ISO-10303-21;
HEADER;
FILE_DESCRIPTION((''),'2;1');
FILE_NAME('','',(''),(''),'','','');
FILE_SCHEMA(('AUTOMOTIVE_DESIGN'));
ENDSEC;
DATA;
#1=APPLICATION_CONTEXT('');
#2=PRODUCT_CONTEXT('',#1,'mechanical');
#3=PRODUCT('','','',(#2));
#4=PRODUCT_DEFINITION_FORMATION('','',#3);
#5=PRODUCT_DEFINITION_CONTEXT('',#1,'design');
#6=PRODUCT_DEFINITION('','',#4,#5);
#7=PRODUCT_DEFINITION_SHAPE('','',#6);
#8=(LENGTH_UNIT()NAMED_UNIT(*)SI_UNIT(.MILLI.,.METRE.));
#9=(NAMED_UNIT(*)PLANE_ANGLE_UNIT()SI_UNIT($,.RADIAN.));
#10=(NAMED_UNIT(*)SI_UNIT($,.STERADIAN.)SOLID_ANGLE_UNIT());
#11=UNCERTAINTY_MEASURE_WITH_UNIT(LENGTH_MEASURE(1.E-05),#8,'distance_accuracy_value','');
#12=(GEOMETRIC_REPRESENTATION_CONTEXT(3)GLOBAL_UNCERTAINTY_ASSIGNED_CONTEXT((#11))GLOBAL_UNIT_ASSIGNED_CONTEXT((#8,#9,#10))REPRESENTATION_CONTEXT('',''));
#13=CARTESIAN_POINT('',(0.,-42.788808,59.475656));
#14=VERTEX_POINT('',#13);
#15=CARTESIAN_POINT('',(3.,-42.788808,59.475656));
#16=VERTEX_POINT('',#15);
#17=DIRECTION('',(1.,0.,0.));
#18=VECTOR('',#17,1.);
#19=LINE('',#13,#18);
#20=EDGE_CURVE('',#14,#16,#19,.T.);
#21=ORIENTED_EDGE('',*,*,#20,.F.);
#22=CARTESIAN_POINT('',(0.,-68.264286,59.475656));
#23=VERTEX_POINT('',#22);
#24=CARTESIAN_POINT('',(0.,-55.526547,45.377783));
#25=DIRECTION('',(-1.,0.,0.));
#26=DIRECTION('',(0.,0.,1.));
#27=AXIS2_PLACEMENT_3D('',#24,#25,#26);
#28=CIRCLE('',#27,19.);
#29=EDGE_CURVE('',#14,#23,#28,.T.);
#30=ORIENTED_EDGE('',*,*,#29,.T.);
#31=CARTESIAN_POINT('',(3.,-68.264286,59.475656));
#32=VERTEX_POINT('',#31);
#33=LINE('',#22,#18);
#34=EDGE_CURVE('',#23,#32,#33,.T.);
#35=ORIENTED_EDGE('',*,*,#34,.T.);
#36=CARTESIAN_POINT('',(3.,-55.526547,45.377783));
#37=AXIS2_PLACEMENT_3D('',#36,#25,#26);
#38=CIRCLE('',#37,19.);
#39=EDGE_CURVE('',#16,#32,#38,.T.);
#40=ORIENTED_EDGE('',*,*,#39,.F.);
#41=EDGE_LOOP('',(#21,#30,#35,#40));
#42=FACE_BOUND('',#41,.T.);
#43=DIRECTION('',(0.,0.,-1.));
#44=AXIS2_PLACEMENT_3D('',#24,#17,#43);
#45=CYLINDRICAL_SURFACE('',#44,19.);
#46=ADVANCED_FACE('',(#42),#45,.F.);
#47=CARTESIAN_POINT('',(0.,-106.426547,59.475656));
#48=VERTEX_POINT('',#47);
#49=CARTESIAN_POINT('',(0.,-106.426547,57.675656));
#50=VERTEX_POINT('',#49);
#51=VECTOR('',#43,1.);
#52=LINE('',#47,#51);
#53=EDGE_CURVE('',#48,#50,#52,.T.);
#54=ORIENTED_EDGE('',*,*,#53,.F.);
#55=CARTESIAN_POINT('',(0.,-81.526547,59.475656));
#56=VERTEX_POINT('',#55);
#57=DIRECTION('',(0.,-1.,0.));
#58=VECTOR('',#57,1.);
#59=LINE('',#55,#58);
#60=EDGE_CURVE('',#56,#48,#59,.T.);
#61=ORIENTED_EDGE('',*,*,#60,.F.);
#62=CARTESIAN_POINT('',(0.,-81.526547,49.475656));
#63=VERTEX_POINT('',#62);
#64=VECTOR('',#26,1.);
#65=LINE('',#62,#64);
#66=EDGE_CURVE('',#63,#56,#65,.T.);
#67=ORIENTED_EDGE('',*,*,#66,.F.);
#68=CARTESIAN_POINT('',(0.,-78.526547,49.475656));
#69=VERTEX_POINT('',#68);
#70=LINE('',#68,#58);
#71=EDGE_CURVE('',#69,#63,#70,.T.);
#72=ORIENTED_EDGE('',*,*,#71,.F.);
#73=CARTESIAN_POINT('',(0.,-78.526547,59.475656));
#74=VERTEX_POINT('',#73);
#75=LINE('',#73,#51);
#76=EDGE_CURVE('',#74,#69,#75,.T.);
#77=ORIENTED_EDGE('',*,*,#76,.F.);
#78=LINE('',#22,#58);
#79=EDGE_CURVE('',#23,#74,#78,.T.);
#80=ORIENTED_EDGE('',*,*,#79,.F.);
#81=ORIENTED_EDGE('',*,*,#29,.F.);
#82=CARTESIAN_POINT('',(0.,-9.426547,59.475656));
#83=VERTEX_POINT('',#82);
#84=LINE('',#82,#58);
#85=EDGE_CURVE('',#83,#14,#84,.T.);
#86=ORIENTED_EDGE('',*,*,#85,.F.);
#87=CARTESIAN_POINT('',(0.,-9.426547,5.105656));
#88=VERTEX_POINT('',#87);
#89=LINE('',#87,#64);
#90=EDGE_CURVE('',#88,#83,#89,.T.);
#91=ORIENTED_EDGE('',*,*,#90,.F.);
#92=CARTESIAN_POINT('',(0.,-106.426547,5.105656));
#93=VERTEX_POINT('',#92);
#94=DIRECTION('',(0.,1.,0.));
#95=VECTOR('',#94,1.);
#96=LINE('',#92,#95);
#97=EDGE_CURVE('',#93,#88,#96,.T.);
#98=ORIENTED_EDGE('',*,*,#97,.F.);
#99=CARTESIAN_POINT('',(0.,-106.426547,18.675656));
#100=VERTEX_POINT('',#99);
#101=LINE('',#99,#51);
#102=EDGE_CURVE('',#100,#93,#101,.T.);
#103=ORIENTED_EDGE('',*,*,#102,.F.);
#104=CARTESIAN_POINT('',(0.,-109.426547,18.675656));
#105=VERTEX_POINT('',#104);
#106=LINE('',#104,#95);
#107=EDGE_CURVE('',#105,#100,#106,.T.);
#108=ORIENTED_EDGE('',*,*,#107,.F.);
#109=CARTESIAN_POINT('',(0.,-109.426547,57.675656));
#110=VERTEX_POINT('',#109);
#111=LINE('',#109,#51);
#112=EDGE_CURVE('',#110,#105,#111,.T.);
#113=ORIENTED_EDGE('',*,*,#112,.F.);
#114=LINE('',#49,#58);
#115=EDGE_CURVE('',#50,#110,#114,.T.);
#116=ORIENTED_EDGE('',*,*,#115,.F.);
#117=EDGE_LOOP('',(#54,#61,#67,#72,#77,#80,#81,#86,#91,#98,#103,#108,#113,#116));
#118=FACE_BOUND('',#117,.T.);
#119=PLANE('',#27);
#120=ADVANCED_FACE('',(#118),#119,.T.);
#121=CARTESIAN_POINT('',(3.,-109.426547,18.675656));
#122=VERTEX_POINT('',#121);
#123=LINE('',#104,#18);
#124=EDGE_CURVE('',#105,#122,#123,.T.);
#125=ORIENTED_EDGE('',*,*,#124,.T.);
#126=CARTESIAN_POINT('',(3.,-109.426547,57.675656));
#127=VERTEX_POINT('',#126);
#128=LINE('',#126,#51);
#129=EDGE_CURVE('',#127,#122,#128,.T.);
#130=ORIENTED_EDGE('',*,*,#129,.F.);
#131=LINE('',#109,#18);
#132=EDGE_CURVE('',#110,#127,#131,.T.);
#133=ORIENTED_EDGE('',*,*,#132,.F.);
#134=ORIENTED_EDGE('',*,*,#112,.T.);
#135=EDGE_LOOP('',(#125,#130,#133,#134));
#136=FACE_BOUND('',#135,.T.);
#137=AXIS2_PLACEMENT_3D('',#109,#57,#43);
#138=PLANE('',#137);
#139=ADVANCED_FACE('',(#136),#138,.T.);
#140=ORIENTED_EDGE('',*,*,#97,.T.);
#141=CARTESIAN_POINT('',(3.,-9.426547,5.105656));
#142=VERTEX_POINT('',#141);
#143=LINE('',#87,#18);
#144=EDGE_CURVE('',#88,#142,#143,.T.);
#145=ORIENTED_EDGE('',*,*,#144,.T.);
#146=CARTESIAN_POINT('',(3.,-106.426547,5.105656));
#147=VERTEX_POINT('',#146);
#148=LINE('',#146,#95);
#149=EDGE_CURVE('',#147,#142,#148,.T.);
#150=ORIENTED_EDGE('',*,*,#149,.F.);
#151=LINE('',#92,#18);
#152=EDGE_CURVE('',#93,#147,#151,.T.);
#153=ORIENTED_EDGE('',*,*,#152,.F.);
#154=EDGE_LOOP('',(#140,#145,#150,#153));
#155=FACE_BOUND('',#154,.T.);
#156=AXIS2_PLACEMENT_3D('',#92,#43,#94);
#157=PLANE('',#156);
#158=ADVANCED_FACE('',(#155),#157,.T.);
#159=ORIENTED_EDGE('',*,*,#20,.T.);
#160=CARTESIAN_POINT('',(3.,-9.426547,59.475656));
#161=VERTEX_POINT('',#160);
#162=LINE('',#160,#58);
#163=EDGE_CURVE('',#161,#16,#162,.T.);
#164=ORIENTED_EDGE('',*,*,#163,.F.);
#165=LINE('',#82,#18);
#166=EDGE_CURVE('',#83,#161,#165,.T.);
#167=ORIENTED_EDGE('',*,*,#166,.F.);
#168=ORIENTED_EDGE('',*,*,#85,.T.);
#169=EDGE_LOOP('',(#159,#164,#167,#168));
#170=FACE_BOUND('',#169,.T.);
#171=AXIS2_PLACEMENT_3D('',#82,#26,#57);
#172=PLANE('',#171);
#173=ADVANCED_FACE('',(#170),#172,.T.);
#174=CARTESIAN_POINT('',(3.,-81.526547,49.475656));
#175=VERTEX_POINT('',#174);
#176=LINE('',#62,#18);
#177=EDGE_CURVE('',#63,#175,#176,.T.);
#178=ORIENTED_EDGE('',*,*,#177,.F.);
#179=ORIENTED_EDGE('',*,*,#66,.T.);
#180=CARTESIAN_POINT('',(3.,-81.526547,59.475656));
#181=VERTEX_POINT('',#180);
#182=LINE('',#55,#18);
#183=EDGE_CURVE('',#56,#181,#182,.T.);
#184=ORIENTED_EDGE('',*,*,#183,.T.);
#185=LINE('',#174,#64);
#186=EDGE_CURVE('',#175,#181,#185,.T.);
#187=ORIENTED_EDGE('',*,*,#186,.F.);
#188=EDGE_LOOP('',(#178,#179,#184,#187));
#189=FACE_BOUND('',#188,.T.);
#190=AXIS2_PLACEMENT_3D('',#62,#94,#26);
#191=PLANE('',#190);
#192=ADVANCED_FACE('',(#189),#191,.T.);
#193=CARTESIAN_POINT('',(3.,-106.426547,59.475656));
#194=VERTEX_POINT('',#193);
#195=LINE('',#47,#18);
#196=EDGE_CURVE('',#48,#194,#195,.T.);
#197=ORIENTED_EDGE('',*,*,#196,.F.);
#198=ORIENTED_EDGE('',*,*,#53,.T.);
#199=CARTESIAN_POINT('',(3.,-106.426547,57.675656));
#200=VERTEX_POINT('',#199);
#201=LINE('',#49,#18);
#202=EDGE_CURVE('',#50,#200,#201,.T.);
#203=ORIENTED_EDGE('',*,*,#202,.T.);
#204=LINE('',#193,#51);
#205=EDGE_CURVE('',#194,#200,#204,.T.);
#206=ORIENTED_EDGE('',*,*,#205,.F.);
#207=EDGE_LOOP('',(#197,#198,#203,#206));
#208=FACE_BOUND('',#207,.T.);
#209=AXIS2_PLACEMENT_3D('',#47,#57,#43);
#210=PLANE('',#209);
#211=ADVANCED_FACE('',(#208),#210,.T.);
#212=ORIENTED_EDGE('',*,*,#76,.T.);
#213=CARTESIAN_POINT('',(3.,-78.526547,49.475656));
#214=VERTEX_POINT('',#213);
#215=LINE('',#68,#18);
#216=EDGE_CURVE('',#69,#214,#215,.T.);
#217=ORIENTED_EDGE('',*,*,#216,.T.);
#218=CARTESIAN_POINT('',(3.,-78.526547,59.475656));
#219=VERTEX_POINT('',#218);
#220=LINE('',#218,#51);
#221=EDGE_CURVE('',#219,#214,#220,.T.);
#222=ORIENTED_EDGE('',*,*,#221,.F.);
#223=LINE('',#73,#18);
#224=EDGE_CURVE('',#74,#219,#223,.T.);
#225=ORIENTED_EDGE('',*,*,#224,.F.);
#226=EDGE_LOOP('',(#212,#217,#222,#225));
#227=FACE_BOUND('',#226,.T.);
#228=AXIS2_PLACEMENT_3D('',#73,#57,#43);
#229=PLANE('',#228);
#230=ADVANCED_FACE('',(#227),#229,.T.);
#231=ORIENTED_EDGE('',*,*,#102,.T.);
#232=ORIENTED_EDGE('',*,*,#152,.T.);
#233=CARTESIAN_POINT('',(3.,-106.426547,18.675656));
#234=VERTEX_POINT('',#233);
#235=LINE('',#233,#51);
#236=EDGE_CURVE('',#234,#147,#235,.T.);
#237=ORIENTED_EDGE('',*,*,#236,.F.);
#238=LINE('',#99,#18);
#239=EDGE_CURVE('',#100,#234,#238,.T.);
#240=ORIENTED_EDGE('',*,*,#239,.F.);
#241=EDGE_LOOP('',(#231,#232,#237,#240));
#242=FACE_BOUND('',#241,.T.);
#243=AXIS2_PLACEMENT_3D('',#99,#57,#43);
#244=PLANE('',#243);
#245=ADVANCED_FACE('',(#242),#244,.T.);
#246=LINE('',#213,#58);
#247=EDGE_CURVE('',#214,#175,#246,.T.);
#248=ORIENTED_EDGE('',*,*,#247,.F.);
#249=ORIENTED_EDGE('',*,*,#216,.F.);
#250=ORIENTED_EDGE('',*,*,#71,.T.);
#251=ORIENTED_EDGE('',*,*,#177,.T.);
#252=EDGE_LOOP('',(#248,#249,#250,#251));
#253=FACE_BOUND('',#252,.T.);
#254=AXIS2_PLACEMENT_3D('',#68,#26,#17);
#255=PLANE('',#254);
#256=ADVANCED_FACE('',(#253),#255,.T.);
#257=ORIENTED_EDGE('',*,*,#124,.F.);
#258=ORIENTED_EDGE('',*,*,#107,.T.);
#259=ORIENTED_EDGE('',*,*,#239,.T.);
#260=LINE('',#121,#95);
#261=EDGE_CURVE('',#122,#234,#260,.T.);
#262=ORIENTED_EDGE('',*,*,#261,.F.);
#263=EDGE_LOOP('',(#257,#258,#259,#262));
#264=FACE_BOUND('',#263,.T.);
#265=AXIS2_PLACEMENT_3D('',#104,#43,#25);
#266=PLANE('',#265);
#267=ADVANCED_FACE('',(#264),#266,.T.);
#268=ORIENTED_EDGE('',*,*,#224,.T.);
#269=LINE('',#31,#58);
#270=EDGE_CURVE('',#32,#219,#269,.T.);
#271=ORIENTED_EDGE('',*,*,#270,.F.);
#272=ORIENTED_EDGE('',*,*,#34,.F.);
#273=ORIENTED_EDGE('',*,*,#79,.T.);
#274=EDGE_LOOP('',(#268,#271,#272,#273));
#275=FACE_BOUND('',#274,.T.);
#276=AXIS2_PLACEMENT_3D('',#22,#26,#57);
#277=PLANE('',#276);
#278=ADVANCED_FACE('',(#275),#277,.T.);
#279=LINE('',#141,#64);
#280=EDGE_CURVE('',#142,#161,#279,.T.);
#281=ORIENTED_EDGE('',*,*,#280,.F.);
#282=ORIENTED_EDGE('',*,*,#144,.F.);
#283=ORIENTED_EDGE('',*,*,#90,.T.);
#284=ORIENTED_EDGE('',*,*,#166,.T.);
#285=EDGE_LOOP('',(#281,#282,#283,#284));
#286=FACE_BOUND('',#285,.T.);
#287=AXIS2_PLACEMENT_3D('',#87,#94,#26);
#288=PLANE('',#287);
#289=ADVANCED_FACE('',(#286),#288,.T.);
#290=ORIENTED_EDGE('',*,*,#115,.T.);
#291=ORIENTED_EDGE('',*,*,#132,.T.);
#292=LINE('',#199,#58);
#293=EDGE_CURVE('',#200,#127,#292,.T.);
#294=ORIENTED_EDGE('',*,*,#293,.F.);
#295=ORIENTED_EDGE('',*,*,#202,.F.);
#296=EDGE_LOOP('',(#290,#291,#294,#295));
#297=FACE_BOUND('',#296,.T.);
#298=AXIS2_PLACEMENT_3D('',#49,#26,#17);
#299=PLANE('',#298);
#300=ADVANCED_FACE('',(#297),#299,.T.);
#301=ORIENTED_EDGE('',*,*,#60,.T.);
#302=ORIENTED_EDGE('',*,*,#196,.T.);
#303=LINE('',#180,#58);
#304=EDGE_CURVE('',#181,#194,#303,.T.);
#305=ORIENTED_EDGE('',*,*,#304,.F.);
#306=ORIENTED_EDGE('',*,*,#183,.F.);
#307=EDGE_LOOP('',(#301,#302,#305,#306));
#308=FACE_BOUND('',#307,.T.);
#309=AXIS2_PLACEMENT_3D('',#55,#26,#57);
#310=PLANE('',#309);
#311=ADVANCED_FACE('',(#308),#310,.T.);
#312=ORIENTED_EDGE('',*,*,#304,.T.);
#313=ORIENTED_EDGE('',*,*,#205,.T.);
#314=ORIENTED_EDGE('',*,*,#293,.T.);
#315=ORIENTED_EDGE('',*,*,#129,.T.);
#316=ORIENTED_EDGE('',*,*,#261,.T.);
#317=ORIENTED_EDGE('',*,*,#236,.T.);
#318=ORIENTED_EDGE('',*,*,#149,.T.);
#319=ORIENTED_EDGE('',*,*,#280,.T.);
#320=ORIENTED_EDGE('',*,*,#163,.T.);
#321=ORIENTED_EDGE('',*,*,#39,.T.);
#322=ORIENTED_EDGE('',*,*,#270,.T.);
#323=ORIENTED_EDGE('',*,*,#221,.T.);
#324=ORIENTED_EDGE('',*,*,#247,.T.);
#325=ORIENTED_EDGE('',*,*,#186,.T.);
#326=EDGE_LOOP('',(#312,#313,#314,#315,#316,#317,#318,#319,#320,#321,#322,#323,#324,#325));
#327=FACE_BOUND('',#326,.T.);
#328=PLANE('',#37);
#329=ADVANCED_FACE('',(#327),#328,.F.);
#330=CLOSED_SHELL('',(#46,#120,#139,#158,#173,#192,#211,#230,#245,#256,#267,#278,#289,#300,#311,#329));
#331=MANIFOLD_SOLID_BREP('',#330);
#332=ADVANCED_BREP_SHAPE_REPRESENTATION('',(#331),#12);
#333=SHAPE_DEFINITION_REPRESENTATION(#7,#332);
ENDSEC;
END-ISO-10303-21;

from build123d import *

# Parameters (mm, degrees)
BOSS_EXTRU_1_DEPTH = 3


with BuildPart() as part:
    # Esquisse1 → Boss.-Extru.1 (new body)
    with BuildSketch(Plane(origin=(3, 0, 0), x_dir=(0, 0, -1), z_dir=(1, 0, 0))):
        with BuildLine():
            Line((-5.105655505, -9.426547116), (-59.475655505, -9.426547116))
            Line((-59.475655505, -9.426547116), (-59.475655505, -42.788807913))
            ThreePointArc((-59.475655505, -42.788807913), (-26.377783326, -55.526547116), (-59.475655505, -68.264286319))
            Line((-59.475655505, -68.264286319), (-59.475655505, -78.526547116))
            Line((-59.475655505, -78.526547116), (-49.475655505, -78.526547116))
            Line((-49.475655505, -78.526547116), (-49.475655505, -81.526547116))
            Line((-49.475655505, -81.526547116), (-59.475655505, -81.526547116))
            Line((-59.475655505, -81.526547116), (-59.475655505, -106.426547116))
            Line((-59.475655505, -106.426547116), (-57.675655505, -106.426547116))
            Line((-57.675655505, -106.426547116), (-57.675655505, -109.426547116))
            Line((-57.675655505, -109.426547116), (-18.675655505, -109.426547116))
            Line((-18.675655505, -109.426547116), (-18.675655505, -106.426547116))
            Line((-18.675655505, -106.426547116), (-5.105655505, -106.426547116))
            Line((-5.105655505, -106.426547116), (-5.105655505, -9.426547116))
        make_face()
    extrude(amount=-BOSS_EXTRU_1_DEPTH)


solid = part.part
